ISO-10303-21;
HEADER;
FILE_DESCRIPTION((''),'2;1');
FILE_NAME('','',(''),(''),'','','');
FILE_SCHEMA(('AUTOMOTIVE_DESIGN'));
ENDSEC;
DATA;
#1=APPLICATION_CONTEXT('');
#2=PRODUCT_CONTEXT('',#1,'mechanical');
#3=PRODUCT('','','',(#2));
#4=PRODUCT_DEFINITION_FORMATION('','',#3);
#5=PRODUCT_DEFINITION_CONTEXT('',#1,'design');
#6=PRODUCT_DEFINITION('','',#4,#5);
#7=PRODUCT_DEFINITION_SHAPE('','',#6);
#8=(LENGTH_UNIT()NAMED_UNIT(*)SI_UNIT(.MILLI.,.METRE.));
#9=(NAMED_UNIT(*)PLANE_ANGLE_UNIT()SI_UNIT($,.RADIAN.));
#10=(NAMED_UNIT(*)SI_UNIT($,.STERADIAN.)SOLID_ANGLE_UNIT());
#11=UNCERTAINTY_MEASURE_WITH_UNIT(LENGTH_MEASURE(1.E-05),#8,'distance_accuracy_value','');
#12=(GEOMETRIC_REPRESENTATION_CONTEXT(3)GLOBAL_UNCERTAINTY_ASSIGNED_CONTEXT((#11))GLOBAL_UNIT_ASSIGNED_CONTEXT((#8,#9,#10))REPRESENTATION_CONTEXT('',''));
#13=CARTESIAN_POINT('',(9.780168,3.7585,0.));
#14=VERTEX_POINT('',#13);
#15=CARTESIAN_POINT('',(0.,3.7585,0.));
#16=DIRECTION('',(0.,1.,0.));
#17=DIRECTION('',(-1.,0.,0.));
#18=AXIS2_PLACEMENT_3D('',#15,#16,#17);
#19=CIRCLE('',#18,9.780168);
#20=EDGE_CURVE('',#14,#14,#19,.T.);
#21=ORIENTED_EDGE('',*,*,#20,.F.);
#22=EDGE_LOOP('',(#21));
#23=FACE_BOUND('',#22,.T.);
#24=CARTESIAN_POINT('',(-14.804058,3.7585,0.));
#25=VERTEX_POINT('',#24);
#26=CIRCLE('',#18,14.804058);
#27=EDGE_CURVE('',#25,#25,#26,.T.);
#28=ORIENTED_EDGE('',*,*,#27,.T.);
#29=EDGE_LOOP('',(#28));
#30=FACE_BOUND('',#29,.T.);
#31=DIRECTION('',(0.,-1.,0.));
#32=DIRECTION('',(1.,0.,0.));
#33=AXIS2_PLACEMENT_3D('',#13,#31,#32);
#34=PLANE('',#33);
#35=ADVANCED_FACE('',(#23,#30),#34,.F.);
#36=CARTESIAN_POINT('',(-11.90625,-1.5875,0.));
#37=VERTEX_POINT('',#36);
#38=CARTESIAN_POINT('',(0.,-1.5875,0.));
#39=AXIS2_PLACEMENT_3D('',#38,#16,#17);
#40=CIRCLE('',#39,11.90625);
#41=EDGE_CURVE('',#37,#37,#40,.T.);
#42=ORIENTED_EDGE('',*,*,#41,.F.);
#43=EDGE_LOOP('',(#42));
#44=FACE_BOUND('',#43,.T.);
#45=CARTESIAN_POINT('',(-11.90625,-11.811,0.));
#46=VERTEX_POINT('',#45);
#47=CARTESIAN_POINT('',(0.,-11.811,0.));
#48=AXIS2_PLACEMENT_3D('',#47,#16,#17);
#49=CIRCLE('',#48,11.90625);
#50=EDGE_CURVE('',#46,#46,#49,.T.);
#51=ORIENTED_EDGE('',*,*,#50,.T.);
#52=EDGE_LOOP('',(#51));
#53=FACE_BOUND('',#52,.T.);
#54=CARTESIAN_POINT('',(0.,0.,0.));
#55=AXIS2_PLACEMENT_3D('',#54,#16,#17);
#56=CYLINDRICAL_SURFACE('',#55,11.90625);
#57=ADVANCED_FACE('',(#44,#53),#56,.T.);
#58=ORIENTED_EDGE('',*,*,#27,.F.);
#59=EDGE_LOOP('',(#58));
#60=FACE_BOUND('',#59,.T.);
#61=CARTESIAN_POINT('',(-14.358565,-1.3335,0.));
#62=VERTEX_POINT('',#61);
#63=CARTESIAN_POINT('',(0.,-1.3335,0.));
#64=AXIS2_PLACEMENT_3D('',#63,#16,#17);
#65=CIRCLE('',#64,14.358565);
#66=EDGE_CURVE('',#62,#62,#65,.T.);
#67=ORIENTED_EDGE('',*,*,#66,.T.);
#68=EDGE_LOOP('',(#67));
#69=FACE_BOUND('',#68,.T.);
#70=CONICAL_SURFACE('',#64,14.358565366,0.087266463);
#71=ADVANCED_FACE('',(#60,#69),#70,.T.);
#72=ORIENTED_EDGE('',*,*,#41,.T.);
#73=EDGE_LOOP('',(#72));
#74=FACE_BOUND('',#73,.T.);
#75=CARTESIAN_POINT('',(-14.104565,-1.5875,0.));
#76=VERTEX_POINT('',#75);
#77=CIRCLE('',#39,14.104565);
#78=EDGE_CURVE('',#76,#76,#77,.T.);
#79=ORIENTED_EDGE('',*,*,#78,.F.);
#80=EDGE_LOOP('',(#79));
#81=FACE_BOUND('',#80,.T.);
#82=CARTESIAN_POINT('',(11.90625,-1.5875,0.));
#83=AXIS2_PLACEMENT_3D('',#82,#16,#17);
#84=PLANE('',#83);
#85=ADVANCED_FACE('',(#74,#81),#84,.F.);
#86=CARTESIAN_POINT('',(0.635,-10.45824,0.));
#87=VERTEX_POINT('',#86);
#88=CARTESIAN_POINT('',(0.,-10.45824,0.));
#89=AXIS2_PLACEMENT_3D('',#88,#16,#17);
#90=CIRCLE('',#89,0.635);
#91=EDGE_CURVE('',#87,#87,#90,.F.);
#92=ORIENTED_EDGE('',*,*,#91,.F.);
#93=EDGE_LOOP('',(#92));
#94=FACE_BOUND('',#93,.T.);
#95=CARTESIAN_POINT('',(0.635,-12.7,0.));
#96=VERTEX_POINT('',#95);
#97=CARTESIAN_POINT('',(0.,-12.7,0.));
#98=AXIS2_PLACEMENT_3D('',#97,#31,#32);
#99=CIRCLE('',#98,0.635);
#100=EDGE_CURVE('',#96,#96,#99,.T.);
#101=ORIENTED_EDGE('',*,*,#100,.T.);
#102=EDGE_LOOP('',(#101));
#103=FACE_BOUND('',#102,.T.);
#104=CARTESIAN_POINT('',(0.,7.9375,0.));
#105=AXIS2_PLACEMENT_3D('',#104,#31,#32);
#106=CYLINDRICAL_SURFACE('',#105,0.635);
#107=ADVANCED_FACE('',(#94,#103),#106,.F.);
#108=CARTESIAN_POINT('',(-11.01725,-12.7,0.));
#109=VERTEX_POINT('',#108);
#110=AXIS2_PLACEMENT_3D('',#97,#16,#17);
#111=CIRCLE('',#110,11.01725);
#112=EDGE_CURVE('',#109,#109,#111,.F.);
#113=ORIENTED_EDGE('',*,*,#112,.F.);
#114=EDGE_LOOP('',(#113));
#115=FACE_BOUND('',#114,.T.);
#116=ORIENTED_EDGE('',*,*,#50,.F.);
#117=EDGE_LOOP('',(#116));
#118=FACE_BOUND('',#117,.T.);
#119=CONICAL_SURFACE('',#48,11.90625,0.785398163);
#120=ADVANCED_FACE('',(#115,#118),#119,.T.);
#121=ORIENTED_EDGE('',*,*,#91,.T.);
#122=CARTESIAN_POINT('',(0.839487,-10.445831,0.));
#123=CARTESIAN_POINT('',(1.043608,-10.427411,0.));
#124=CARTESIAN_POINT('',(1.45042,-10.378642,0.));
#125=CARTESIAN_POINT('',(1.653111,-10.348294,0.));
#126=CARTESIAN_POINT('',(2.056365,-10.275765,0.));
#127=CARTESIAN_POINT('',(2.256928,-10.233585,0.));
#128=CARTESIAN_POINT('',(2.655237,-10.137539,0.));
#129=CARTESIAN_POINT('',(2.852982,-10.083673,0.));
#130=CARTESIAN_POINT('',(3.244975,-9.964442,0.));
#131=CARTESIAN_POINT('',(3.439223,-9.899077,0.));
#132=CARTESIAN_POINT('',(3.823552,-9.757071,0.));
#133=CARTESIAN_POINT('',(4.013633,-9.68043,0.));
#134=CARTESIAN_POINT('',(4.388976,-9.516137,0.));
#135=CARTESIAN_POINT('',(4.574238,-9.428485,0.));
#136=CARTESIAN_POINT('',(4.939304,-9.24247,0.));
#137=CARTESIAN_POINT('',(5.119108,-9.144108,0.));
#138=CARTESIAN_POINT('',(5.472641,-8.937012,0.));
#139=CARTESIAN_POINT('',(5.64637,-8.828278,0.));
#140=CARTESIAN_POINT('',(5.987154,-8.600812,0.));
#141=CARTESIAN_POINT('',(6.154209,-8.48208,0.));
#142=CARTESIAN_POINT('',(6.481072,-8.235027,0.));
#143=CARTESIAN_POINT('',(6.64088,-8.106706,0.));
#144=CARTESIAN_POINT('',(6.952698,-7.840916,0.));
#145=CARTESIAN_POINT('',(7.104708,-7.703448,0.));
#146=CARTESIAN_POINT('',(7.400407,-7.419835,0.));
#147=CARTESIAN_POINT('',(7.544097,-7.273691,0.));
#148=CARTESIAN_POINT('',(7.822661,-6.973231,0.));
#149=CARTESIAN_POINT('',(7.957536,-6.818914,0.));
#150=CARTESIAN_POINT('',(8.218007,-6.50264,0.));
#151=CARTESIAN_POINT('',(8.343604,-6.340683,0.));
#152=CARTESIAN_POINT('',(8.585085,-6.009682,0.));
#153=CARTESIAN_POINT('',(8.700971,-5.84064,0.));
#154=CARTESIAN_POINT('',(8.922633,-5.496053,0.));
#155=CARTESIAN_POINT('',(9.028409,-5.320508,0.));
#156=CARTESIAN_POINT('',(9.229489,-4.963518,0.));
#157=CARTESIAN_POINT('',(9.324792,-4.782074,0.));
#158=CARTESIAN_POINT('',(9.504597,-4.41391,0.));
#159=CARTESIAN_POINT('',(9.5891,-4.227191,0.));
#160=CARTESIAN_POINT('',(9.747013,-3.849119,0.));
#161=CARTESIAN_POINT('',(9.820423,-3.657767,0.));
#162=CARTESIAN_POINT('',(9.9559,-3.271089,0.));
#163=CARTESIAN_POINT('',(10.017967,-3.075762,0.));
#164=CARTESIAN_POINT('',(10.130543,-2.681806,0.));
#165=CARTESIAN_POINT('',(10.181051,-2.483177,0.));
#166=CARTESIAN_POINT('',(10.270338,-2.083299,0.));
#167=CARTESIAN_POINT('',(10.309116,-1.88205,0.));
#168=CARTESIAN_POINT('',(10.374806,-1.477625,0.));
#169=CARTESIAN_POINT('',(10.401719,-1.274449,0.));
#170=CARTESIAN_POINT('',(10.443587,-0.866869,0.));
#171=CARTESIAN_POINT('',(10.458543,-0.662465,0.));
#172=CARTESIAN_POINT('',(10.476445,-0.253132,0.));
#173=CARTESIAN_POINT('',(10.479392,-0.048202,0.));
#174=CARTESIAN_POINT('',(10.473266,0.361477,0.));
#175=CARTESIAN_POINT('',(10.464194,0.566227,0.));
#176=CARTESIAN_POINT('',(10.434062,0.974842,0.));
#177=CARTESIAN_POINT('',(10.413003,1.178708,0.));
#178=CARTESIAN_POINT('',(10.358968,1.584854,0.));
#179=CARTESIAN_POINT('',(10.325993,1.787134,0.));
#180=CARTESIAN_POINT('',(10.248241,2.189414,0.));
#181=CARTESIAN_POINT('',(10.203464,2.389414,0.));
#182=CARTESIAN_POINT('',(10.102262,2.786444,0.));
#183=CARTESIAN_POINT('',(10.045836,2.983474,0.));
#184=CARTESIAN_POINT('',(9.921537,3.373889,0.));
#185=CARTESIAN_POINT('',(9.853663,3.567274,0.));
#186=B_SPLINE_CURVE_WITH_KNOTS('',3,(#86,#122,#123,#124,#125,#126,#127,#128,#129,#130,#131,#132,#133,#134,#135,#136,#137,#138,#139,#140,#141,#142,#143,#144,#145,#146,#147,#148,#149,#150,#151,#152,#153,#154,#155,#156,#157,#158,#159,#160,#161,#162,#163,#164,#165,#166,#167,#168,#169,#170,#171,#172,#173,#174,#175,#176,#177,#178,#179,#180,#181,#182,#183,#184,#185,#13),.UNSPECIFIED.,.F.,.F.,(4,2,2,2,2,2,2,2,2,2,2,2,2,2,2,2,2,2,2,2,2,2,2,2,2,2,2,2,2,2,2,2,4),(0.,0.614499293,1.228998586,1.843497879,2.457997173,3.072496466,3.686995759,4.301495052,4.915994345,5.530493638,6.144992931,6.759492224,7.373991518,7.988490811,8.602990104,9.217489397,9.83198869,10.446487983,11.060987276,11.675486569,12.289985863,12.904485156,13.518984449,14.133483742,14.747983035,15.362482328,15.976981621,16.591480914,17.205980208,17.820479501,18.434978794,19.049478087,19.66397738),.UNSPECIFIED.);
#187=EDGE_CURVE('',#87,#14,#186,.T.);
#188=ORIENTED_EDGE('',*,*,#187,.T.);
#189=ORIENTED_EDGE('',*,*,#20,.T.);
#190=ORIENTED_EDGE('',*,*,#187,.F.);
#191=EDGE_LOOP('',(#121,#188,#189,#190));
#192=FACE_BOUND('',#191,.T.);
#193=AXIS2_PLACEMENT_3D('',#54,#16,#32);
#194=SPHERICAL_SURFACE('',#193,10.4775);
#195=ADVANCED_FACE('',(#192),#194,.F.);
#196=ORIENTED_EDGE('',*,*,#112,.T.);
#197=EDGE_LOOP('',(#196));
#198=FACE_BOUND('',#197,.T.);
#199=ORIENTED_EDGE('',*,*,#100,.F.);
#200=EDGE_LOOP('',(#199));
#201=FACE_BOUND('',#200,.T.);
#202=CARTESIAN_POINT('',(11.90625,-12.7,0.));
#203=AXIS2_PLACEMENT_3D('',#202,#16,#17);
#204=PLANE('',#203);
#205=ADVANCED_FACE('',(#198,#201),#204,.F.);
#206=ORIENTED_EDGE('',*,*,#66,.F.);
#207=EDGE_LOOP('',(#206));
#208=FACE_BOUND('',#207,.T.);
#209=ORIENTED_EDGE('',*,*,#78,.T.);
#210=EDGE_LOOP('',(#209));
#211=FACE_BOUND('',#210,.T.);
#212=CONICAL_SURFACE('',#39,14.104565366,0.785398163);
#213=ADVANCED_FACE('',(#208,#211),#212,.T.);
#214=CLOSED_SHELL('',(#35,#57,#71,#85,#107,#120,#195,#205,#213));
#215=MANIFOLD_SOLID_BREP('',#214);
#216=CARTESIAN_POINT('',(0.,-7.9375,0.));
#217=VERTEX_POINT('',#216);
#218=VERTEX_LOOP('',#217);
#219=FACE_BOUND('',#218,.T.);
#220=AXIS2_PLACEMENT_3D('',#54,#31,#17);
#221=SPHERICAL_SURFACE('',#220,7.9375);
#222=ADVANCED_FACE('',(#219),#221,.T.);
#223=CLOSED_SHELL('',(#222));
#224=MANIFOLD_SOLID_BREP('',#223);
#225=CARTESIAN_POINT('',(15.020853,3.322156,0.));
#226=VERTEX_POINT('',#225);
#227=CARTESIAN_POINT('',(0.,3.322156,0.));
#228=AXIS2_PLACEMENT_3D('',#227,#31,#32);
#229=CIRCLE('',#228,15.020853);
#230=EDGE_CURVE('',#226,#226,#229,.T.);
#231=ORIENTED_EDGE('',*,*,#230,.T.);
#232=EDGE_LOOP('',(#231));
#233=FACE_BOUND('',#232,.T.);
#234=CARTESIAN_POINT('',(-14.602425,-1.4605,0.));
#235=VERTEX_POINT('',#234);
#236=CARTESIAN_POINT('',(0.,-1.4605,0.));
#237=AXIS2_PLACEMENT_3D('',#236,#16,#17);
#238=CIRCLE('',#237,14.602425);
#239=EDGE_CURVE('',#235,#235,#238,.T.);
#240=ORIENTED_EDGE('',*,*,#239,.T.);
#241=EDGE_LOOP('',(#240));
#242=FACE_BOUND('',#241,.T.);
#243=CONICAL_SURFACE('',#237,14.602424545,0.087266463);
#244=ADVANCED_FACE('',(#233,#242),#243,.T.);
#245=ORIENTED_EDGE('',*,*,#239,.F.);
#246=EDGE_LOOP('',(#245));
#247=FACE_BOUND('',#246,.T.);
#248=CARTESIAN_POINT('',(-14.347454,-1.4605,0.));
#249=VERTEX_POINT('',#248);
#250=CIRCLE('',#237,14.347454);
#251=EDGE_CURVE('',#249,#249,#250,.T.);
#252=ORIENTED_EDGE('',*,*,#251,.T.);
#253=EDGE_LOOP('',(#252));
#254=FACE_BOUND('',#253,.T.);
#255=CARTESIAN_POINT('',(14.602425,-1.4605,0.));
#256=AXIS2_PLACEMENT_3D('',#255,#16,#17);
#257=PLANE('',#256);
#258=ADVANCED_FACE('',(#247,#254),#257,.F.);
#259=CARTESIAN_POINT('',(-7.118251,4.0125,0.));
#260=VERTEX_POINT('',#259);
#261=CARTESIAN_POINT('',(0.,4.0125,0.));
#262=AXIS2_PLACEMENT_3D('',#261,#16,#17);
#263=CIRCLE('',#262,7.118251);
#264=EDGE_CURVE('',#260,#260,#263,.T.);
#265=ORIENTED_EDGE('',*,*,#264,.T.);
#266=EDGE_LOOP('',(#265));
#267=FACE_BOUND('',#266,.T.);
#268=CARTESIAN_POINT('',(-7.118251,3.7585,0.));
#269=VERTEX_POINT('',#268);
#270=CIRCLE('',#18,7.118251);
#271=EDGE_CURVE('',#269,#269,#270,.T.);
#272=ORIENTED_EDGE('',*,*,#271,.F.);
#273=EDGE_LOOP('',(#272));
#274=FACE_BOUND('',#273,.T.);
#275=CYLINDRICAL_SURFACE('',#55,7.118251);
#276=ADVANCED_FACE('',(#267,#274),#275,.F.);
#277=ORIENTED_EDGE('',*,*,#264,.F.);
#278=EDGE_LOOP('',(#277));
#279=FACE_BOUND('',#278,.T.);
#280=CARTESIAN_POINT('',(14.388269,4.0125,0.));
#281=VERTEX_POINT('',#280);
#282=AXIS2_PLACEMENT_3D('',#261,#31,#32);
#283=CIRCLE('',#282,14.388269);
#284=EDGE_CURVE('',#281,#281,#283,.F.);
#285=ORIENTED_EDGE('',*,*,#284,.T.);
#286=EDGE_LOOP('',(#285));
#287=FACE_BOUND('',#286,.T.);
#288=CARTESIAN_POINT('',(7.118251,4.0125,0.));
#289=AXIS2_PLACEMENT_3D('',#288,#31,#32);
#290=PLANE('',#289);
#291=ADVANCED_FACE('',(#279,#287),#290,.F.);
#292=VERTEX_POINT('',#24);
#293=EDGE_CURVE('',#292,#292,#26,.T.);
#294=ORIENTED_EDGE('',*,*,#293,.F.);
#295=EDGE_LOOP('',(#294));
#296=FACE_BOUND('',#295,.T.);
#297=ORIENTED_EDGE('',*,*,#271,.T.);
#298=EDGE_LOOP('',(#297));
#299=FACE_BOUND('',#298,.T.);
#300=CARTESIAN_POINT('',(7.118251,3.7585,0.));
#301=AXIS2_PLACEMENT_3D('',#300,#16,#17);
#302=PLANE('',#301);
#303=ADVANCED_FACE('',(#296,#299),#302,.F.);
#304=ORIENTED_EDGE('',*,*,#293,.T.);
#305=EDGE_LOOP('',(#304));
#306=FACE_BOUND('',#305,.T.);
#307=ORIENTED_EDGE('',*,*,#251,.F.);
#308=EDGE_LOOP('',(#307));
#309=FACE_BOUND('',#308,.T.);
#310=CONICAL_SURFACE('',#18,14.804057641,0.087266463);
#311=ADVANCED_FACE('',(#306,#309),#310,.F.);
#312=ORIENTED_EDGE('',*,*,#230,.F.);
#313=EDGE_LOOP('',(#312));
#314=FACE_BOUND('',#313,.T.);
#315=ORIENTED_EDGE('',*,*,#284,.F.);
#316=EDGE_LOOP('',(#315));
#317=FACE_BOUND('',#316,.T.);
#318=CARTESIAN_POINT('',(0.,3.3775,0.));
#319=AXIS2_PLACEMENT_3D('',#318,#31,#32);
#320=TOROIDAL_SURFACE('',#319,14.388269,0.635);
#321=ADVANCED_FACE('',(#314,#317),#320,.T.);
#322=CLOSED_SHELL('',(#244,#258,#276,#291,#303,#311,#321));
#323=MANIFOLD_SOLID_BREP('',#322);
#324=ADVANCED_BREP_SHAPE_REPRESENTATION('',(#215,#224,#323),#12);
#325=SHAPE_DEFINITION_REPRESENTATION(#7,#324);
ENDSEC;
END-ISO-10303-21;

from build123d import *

# Parameters (mm, degrees)
SKETCH6_R          = 0.635
CUT_EXTRUDE1_DEPTH = 30.678184065
CHAMFER1_SIZE      = 0.889
FILLET1_R          = 0.635


with BuildPart() as part:
    # Sketch2 → Revolve1 (revolve)
    with BuildSketch(Plane.XY):
        with BuildLine():
            Line((0, -7.9375), (0, 7.9375))
            ThreePointArc((0, 7.9375), (7.9375, 0), (0, -7.9375))
        make_face()
    revolve(axis=Axis((0, -7.9375, 0), (0, 1, 0)))


with BuildPart() as body_2:
    # Sketch3 → Revolve2 (revolve)
    with BuildSketch(Plane.XY, mode=Mode.PRIVATE) as revolve2_sk:
        Polygon((14.804057641, 3.7585), (14.358565366, -1.3335), (14.347454306, -1.4605), (14.602424545, -1.4605), (15.08125, 4.0125), (7.118250532, 4.0125), (7.118250532, 3.7585), align=None)
    revolve(revolve2_sk.sketch.rotate(Axis((0, 0, 0), (0, -1, 0)), 180), axis=Axis((0, 0, 0), (0, -1, 0)))

    # Fillet1
    fillet1_edges = [body_2.edges().sort_by_distance(p)[0] for p in [
        (15.08125, 4.0125, 0),
    ]]
    fillet(fillet1_edges, radius=FILLET1_R)


with BuildPart() as body_3:
    # Sketch4 → Revolve3 (revolve)
    with BuildSketch(Plane.XY, mode=Mode.PRIVATE) as revolve3_sk:
        with BuildLine():
            Line((11.90625, -1.5875), (14.104565366, -1.5875))
            Line((14.104565366, -1.5875), (14.358565366, -1.3335))
            Line((14.358565366, -1.3335), (14.804057641, 3.7585))
            Line((14.804057641, 3.7585), (9.780167892, 3.7585))
            ThreePointArc((9.780167892, 3.7585), (8.635904411, -5.932888104), (0, -10.4775))
            Line((0, -10.4775), (0, -12.7))
            Line((0, -12.7), (11.90625, -12.7))
            Line((11.90625, -12.7), (11.90625, -1.5875))
        make_face()
    revolve(revolve3_sk.sketch.rotate(Axis((0, 0, 0), (0, -1, 0)), 180), axis=Axis((0, 0, 0), (0, -1, 0)))

    # Sketch6 → Cut-Extrude1 (cut, through all)
    with BuildSketch(Plane.XZ.offset(12.7)):
        Circle(SKETCH6_R)
    extrude(amount=-CUT_EXTRUDE1_DEPTH, mode=Mode.SUBTRACT)

    # Chamfer1
    chamfer1_edges = [body_3.edges().sort_by_distance(p)[0] for p in [
        (11.90625, -12.7, 0),
    ]]
    chamfer(chamfer1_edges, length=CHAMFER1_SIZE)


solid = Compound([part.part, body_2.part, body_3.part])
